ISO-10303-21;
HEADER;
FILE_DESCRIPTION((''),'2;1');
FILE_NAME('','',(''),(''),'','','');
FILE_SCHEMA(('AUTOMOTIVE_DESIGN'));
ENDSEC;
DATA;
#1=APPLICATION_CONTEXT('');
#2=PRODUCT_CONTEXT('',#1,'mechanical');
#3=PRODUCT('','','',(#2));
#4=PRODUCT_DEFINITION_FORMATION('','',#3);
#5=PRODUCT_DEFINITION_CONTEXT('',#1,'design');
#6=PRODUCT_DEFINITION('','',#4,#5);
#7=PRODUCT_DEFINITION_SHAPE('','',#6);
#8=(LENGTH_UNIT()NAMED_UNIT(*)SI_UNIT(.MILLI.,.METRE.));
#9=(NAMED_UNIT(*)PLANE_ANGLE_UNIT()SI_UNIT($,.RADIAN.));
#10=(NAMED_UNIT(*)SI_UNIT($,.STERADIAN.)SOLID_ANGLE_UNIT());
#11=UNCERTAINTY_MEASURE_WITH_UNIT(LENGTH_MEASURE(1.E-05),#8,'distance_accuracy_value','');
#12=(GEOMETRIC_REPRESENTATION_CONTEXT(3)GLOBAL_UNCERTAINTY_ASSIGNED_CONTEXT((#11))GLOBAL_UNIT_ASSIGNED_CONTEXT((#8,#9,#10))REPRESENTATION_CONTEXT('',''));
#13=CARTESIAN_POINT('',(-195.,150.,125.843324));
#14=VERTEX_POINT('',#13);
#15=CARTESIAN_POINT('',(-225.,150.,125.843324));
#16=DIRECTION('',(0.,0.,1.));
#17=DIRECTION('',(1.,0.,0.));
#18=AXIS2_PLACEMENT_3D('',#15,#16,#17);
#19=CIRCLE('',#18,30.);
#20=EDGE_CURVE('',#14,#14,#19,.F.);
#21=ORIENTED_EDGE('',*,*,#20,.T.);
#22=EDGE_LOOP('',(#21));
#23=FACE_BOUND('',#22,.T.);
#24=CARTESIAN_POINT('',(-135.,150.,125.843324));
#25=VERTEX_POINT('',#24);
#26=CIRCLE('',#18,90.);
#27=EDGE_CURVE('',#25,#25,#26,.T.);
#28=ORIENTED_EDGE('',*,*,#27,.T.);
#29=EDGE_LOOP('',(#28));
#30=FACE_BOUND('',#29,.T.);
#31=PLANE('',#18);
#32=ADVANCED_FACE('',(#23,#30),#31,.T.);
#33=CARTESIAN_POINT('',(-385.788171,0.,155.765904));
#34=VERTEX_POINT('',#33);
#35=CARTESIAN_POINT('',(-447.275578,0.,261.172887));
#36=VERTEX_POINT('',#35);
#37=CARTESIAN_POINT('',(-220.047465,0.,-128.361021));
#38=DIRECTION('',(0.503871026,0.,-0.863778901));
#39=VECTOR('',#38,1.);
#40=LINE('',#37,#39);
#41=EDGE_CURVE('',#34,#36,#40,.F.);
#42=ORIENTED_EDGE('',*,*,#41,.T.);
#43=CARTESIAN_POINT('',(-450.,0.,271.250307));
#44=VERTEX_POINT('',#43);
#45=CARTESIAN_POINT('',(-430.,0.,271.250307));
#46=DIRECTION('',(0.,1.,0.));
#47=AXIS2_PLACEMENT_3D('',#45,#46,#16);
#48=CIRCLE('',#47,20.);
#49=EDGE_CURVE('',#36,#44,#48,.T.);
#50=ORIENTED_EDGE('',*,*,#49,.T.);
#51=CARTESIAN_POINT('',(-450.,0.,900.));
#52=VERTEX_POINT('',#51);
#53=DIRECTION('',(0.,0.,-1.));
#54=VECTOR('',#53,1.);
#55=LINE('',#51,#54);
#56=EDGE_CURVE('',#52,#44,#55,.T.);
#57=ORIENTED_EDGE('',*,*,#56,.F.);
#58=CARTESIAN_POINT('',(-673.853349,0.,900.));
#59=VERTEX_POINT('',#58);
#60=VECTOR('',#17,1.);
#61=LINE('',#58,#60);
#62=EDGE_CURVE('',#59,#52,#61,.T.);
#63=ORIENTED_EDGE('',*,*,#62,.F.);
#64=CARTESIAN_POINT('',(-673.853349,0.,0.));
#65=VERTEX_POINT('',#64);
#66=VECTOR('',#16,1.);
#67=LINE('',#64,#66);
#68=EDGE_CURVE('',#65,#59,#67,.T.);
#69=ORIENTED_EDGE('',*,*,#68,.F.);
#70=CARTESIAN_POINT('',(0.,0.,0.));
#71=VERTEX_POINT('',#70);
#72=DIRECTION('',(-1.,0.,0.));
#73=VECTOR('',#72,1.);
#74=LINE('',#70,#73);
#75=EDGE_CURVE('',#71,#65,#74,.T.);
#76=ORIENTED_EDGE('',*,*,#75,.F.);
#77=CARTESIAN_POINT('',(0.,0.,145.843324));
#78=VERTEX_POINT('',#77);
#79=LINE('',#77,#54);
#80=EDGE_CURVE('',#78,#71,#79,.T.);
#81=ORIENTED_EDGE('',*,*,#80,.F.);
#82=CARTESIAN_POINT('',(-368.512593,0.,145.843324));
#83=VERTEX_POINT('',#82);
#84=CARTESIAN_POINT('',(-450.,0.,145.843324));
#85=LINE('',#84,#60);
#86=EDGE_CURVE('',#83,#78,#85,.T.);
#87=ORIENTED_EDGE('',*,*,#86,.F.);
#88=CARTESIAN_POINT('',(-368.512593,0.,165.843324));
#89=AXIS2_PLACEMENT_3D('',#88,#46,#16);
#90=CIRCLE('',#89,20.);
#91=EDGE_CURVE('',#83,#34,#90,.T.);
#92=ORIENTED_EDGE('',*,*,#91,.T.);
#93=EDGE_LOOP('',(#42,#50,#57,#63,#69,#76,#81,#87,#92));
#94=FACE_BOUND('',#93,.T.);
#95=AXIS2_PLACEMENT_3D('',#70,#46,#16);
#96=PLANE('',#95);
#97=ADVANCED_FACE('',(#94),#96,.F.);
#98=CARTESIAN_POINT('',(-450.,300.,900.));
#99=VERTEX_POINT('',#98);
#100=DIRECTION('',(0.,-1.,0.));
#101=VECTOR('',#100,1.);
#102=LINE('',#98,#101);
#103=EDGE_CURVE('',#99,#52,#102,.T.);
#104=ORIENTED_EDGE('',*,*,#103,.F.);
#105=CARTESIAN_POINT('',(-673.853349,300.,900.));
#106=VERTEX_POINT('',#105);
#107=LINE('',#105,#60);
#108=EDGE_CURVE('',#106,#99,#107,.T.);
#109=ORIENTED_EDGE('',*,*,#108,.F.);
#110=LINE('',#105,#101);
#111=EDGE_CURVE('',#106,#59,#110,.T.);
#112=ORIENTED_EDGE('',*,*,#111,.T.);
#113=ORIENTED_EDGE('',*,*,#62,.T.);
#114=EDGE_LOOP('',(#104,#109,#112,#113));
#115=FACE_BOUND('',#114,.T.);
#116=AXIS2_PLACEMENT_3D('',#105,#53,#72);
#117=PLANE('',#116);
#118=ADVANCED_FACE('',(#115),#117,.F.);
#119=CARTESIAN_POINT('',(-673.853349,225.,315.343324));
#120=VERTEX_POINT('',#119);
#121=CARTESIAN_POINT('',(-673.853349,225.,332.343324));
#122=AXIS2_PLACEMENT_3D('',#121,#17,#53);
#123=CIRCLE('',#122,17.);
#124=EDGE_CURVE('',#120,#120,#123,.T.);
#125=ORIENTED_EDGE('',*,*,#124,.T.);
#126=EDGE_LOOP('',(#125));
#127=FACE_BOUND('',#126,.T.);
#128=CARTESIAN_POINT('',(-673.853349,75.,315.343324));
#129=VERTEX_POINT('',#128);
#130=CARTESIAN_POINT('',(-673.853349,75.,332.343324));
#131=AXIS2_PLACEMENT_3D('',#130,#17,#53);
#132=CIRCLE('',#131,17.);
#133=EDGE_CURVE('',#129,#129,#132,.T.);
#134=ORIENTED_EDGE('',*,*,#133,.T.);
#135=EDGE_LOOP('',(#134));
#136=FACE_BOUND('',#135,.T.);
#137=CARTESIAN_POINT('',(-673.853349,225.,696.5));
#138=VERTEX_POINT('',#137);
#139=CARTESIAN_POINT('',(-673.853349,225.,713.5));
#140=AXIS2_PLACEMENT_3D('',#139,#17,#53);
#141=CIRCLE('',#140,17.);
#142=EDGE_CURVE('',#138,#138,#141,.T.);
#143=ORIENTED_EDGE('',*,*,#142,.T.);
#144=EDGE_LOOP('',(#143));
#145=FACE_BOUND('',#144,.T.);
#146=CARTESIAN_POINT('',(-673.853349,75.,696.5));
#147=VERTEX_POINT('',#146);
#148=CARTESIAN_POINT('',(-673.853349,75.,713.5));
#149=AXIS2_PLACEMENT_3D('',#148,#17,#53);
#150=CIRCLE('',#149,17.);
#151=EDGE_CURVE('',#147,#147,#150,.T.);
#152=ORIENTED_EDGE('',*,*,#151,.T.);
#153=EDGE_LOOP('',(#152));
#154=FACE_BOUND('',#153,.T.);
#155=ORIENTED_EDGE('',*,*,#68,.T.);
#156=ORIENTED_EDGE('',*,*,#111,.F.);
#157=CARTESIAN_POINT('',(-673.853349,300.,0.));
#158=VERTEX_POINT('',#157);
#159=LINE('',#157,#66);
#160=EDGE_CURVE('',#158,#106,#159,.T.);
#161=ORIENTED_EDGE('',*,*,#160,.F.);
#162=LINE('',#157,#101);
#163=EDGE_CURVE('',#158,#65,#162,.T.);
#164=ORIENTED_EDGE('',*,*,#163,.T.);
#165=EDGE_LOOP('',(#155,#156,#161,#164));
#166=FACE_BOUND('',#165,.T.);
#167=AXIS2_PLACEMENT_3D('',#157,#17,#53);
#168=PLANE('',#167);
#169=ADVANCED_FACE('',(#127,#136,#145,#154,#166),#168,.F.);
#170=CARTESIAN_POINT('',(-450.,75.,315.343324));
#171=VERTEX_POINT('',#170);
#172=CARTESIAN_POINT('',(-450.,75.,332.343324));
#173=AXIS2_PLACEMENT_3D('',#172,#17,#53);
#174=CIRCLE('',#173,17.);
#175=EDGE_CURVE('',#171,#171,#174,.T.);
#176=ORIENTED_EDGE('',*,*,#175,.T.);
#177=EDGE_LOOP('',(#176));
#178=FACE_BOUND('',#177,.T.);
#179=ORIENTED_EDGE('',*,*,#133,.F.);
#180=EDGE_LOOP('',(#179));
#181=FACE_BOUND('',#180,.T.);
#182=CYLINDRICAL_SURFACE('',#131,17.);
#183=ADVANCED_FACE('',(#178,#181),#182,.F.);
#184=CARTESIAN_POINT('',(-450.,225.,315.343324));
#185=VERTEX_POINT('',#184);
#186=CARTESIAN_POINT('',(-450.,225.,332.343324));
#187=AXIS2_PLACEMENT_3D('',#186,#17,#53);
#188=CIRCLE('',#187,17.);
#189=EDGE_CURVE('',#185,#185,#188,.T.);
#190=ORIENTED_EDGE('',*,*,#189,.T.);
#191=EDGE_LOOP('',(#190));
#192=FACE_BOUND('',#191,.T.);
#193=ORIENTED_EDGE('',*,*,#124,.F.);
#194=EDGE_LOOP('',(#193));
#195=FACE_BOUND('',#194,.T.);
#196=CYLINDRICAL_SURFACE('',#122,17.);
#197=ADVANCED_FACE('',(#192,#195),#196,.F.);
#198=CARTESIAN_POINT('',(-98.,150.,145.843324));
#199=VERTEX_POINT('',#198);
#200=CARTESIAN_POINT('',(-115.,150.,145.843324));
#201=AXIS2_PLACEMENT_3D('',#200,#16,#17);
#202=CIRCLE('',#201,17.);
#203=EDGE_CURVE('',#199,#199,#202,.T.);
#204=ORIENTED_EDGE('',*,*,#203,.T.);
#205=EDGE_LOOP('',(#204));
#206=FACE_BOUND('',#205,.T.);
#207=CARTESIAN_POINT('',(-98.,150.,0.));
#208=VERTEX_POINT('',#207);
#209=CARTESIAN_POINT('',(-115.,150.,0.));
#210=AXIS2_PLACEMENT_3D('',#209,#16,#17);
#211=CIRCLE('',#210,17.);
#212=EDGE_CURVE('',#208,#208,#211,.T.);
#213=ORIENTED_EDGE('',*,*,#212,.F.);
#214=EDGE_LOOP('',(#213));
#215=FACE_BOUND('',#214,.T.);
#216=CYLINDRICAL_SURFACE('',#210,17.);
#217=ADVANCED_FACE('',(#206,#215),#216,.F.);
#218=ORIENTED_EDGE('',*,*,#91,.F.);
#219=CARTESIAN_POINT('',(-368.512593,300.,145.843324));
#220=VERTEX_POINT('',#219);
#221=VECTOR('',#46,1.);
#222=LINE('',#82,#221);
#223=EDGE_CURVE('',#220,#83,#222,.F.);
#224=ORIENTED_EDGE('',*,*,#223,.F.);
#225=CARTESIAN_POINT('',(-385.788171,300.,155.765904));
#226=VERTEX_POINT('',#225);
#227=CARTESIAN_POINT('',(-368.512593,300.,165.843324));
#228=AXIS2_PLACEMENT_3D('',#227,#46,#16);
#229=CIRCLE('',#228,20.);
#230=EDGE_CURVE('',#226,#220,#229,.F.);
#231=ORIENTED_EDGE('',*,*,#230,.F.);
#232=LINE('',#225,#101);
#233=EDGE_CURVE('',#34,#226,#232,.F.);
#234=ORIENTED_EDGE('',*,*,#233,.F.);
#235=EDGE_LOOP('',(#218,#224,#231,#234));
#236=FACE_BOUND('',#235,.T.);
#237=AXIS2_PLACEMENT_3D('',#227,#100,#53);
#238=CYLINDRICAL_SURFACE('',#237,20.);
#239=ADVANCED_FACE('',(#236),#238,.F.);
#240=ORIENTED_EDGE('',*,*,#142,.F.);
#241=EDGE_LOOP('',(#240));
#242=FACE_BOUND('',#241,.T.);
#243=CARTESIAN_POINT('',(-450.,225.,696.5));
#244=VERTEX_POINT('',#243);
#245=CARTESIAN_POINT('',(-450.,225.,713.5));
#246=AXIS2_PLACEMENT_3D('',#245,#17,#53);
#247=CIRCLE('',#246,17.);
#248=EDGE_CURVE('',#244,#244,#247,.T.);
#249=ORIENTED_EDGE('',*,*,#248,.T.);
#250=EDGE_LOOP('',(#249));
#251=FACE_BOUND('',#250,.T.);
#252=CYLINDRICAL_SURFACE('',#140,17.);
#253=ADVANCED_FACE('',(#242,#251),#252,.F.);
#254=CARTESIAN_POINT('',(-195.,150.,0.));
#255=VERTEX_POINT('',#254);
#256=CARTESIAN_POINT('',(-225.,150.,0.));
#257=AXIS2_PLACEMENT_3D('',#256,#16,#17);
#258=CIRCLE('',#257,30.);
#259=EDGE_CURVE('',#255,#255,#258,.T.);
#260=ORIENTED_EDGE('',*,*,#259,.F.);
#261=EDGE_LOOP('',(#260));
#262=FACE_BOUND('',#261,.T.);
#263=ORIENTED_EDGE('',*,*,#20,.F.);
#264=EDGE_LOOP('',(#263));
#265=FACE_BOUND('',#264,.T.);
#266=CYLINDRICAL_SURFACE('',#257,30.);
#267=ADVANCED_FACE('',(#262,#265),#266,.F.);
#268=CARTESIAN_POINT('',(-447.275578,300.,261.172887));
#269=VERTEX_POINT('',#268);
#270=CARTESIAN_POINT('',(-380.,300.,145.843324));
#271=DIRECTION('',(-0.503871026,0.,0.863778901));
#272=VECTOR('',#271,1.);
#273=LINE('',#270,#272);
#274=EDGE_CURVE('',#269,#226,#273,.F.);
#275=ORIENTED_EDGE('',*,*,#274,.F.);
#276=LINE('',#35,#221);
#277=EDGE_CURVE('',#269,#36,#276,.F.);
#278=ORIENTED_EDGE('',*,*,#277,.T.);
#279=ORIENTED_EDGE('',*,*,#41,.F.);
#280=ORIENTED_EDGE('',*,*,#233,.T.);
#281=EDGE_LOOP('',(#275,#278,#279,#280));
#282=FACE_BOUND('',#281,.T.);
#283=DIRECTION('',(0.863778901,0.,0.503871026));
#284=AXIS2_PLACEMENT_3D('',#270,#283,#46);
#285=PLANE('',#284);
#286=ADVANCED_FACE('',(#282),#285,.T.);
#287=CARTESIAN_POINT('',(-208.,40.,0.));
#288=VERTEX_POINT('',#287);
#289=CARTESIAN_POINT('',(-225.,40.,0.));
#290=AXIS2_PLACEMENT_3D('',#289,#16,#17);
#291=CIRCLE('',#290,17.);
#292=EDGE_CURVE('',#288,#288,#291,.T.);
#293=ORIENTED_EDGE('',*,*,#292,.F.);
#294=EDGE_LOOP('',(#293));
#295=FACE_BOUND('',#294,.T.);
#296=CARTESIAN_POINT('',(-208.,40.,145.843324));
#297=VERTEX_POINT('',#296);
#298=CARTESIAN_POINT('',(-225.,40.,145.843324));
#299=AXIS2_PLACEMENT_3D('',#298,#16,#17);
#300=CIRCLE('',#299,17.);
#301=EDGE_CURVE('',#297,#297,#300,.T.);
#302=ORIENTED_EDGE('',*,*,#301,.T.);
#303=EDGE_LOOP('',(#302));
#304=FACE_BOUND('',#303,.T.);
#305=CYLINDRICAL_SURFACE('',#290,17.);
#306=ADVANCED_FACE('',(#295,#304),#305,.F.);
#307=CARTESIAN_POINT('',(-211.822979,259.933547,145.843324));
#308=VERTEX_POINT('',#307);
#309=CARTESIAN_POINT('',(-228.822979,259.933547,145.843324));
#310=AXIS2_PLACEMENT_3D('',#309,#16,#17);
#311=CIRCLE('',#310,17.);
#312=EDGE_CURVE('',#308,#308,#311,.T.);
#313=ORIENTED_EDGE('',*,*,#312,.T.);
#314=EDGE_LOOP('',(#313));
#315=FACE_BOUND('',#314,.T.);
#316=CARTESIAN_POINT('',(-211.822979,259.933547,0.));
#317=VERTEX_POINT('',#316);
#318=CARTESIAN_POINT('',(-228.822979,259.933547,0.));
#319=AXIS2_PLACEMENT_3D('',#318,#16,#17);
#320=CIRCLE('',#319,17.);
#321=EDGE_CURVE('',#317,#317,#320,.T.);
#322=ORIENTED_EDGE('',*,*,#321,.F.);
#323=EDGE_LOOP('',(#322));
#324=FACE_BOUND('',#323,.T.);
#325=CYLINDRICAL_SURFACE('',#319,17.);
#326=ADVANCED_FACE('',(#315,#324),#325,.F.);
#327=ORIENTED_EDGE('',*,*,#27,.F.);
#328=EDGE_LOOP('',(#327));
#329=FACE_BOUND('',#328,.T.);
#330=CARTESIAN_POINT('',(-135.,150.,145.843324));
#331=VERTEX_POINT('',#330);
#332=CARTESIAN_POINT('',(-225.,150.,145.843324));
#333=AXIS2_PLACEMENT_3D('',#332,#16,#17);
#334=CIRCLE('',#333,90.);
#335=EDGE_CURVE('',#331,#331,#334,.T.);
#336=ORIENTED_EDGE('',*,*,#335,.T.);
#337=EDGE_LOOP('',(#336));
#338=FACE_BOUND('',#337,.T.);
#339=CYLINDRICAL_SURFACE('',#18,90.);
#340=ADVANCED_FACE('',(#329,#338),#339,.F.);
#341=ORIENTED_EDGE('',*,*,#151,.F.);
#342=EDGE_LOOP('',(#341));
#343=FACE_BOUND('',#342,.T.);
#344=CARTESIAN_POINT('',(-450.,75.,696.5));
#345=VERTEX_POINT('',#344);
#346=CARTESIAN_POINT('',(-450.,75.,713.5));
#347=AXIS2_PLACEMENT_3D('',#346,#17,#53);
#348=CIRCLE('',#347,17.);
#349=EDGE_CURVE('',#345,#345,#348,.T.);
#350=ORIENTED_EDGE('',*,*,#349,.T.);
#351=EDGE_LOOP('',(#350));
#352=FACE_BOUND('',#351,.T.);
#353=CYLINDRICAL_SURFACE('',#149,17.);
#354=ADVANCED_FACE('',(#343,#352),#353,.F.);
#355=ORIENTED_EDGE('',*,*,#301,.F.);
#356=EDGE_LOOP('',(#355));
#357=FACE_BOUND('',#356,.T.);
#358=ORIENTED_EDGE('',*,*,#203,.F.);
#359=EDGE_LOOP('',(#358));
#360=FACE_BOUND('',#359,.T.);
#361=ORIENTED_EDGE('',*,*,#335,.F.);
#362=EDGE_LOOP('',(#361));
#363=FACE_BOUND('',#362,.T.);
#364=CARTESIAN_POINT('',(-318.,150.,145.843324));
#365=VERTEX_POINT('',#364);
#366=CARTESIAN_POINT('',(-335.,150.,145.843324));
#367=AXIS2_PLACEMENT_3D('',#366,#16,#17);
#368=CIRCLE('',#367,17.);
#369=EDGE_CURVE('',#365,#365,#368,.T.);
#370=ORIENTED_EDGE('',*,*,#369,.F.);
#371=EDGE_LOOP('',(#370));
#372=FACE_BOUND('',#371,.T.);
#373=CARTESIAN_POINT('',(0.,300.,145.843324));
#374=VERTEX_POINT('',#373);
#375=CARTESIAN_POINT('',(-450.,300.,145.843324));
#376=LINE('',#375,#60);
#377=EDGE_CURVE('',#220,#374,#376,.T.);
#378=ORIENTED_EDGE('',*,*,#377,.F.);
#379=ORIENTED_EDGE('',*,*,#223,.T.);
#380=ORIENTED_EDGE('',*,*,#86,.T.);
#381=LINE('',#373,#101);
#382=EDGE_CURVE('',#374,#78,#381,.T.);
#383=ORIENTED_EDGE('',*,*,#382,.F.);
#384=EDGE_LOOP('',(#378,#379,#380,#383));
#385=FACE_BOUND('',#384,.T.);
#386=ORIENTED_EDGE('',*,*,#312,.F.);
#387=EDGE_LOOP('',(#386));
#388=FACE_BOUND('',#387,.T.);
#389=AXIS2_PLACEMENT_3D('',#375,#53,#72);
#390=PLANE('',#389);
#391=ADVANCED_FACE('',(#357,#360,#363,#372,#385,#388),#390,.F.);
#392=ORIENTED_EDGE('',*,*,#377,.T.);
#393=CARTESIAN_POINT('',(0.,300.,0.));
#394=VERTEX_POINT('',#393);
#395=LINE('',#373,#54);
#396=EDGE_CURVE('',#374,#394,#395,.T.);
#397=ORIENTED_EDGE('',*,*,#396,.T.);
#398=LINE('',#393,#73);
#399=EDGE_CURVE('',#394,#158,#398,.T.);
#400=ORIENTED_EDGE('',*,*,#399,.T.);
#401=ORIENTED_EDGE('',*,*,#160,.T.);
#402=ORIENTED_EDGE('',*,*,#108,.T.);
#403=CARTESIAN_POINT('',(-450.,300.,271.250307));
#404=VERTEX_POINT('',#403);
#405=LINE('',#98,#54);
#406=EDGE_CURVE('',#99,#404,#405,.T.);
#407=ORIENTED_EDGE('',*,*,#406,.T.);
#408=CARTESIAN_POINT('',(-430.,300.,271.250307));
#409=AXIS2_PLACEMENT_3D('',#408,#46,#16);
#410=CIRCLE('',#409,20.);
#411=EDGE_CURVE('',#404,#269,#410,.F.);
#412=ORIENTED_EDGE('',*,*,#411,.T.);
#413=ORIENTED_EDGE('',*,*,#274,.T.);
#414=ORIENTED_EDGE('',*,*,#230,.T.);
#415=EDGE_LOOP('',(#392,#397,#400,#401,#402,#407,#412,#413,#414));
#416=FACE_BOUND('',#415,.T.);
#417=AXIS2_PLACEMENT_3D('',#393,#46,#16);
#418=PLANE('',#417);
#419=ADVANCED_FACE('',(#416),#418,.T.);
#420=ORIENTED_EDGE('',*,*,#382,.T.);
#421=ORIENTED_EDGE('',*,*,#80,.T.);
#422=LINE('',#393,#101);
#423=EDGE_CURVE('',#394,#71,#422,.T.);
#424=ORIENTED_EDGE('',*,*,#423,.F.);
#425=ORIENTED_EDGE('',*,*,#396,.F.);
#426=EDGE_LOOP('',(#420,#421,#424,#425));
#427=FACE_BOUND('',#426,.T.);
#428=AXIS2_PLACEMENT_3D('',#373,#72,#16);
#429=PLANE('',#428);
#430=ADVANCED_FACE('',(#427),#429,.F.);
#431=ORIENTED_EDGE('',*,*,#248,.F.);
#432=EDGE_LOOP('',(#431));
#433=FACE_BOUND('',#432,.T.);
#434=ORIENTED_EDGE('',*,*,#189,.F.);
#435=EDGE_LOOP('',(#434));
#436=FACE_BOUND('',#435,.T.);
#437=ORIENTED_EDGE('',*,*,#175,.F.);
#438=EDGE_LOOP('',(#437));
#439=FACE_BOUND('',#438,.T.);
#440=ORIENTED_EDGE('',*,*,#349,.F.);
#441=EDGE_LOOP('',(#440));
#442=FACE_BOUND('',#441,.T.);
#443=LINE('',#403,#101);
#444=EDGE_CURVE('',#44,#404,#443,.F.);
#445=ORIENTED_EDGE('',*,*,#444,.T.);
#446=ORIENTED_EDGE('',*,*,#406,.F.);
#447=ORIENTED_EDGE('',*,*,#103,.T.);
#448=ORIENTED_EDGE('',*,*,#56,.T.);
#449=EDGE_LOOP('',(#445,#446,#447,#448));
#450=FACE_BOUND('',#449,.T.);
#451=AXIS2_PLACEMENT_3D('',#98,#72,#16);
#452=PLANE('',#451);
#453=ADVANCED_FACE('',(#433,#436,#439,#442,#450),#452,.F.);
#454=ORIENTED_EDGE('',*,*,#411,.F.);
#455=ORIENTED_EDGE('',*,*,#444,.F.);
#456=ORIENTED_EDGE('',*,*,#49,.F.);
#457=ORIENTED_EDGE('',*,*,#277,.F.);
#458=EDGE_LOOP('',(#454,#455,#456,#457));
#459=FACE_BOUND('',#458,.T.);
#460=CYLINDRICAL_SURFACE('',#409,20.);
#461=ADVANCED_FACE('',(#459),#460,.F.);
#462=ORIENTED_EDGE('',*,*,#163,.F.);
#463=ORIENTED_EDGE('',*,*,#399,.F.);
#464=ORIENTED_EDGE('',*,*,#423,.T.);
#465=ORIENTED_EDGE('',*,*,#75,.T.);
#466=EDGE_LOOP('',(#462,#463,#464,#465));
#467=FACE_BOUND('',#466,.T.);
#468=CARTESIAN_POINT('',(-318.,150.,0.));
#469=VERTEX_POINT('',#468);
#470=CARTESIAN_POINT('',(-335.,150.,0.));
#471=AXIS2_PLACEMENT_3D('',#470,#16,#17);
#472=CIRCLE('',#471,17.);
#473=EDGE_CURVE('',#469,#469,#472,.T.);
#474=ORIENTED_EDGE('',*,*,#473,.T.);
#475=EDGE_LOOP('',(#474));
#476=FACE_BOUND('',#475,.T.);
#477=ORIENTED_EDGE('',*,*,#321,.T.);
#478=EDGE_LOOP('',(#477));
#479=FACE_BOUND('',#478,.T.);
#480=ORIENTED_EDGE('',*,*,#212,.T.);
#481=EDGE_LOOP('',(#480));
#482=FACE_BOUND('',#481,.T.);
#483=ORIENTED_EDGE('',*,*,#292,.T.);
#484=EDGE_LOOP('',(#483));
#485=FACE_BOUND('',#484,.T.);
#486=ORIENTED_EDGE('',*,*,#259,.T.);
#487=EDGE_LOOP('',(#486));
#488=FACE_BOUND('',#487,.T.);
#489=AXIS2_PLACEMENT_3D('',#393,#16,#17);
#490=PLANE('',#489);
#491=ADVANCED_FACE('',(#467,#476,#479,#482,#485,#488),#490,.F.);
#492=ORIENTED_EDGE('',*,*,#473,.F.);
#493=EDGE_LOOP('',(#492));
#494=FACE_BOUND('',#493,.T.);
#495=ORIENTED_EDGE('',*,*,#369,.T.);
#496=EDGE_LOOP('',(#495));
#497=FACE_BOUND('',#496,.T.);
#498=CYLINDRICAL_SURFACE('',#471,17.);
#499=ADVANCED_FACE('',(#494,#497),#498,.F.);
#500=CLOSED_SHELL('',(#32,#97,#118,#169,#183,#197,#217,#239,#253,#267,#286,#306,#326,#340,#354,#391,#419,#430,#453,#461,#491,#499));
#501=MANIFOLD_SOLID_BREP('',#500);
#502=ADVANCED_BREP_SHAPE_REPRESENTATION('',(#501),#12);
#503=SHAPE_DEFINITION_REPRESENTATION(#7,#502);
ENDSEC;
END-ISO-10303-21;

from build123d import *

# Parameters (mm, degrees)
BOSS_EXTRUDE1_DEPTH = 300
SKETCH3_R           = 17
SKETCH3_R_2         = 30
CUT_EXTRUDE1_DEPTH  = 1055.907875982
SKETCH4_R           = 90
CUT_EXTRUDE2_DEPTH  = 20
SKETCH5_R           = 17
CUT_EXTRUDE3_DEPTH  = 1051
CHAMFER1_SIZE       = 70
CHAMFER1_SIZE2      = 120
FILLET1_R           = 20


with BuildPart() as part:
    # Sketch2 → Boss-Extrude1 (new body)
    with BuildSketch(Plane(origin=(0, 0, 0), x_dir=(-1, 0, 0), z_dir=(0, 1, 0))):
        Polygon((0, 0), (673.85334868, 0), (673.85334868, 900), (450, 900), (450, 145.843324447), (0, 145.843324447), align=None)
    extrude(amount=BOSS_EXTRUDE1_DEPTH)

    # Sketch3 → Cut-Extrude1 (cut, through all)
    with BuildSketch(Plane.XY.offset(145.843324447)):
        with Locations((-335, 150)):
            Circle(SKETCH3_R)
        with Locations((-228.822978678, 259.933547355)):
            Circle(SKETCH3_R)
        with Locations((-115, 150)):
            Circle(SKETCH3_R)
        with Locations((-225, 40)):
            Circle(SKETCH3_R)
        with Locations((-225, 150)):
            Circle(SKETCH3_R_2)
    extrude(amount=-CUT_EXTRUDE1_DEPTH, mode=Mode.SUBTRACT)

    # Sketch4 → Cut-Extrude2 (cut)
    with BuildSketch(Plane.XY.offset(145.843324447)):
        with Locations((-225, 150)):
            Circle(SKETCH4_R)
    extrude(amount=-CUT_EXTRUDE2_DEPTH, mode=Mode.SUBTRACT)

    # Sketch5 → Cut-Extrude3 (cut, through all)
    with BuildSketch(Plane.YZ.offset(-450)):
        with Locations(Location((75, 713.5, 0), (0, 0, 270))):
            Circle(SKETCH5_R)
        with Locations(Location((225, 713.5, 0), (0, 0, 270))):
            Circle(SKETCH5_R)
        with Locations(Location((75, 332.343324447, 0), (0, 0, 270))):
            Circle(SKETCH5_R)
        with Locations(Location((225, 332.343324447, 0), (0, 0, 270))):
            Circle(SKETCH5_R)
    extrude(amount=-CUT_EXTRUDE3_DEPTH, mode=Mode.SUBTRACT)

    # Chamfer1
    chamfer1_edges = [part.edges().sort_by_distance(p)[0] for p in [
        (-450, 150, 145.843324447),
    ]]
    chamfer1_side = [part.faces().sort_by_distance(p)[0] for p in [
        (-444.591673087, 150, 145.843324447),
    ]]
    chamfer(chamfer1_edges, length=CHAMFER1_SIZE, length2=CHAMFER1_SIZE2, reference=chamfer1_side[0])

    # Fillet1
    fillet1_edges = [part.edges().sort_by_distance(p)[0] for p in [
        (-380, 150, 145.843324447),
        (-450, 150, 265.843324447),
    ]]
    fillet(fillet1_edges, radius=FILLET1_R)


solid = part.part
